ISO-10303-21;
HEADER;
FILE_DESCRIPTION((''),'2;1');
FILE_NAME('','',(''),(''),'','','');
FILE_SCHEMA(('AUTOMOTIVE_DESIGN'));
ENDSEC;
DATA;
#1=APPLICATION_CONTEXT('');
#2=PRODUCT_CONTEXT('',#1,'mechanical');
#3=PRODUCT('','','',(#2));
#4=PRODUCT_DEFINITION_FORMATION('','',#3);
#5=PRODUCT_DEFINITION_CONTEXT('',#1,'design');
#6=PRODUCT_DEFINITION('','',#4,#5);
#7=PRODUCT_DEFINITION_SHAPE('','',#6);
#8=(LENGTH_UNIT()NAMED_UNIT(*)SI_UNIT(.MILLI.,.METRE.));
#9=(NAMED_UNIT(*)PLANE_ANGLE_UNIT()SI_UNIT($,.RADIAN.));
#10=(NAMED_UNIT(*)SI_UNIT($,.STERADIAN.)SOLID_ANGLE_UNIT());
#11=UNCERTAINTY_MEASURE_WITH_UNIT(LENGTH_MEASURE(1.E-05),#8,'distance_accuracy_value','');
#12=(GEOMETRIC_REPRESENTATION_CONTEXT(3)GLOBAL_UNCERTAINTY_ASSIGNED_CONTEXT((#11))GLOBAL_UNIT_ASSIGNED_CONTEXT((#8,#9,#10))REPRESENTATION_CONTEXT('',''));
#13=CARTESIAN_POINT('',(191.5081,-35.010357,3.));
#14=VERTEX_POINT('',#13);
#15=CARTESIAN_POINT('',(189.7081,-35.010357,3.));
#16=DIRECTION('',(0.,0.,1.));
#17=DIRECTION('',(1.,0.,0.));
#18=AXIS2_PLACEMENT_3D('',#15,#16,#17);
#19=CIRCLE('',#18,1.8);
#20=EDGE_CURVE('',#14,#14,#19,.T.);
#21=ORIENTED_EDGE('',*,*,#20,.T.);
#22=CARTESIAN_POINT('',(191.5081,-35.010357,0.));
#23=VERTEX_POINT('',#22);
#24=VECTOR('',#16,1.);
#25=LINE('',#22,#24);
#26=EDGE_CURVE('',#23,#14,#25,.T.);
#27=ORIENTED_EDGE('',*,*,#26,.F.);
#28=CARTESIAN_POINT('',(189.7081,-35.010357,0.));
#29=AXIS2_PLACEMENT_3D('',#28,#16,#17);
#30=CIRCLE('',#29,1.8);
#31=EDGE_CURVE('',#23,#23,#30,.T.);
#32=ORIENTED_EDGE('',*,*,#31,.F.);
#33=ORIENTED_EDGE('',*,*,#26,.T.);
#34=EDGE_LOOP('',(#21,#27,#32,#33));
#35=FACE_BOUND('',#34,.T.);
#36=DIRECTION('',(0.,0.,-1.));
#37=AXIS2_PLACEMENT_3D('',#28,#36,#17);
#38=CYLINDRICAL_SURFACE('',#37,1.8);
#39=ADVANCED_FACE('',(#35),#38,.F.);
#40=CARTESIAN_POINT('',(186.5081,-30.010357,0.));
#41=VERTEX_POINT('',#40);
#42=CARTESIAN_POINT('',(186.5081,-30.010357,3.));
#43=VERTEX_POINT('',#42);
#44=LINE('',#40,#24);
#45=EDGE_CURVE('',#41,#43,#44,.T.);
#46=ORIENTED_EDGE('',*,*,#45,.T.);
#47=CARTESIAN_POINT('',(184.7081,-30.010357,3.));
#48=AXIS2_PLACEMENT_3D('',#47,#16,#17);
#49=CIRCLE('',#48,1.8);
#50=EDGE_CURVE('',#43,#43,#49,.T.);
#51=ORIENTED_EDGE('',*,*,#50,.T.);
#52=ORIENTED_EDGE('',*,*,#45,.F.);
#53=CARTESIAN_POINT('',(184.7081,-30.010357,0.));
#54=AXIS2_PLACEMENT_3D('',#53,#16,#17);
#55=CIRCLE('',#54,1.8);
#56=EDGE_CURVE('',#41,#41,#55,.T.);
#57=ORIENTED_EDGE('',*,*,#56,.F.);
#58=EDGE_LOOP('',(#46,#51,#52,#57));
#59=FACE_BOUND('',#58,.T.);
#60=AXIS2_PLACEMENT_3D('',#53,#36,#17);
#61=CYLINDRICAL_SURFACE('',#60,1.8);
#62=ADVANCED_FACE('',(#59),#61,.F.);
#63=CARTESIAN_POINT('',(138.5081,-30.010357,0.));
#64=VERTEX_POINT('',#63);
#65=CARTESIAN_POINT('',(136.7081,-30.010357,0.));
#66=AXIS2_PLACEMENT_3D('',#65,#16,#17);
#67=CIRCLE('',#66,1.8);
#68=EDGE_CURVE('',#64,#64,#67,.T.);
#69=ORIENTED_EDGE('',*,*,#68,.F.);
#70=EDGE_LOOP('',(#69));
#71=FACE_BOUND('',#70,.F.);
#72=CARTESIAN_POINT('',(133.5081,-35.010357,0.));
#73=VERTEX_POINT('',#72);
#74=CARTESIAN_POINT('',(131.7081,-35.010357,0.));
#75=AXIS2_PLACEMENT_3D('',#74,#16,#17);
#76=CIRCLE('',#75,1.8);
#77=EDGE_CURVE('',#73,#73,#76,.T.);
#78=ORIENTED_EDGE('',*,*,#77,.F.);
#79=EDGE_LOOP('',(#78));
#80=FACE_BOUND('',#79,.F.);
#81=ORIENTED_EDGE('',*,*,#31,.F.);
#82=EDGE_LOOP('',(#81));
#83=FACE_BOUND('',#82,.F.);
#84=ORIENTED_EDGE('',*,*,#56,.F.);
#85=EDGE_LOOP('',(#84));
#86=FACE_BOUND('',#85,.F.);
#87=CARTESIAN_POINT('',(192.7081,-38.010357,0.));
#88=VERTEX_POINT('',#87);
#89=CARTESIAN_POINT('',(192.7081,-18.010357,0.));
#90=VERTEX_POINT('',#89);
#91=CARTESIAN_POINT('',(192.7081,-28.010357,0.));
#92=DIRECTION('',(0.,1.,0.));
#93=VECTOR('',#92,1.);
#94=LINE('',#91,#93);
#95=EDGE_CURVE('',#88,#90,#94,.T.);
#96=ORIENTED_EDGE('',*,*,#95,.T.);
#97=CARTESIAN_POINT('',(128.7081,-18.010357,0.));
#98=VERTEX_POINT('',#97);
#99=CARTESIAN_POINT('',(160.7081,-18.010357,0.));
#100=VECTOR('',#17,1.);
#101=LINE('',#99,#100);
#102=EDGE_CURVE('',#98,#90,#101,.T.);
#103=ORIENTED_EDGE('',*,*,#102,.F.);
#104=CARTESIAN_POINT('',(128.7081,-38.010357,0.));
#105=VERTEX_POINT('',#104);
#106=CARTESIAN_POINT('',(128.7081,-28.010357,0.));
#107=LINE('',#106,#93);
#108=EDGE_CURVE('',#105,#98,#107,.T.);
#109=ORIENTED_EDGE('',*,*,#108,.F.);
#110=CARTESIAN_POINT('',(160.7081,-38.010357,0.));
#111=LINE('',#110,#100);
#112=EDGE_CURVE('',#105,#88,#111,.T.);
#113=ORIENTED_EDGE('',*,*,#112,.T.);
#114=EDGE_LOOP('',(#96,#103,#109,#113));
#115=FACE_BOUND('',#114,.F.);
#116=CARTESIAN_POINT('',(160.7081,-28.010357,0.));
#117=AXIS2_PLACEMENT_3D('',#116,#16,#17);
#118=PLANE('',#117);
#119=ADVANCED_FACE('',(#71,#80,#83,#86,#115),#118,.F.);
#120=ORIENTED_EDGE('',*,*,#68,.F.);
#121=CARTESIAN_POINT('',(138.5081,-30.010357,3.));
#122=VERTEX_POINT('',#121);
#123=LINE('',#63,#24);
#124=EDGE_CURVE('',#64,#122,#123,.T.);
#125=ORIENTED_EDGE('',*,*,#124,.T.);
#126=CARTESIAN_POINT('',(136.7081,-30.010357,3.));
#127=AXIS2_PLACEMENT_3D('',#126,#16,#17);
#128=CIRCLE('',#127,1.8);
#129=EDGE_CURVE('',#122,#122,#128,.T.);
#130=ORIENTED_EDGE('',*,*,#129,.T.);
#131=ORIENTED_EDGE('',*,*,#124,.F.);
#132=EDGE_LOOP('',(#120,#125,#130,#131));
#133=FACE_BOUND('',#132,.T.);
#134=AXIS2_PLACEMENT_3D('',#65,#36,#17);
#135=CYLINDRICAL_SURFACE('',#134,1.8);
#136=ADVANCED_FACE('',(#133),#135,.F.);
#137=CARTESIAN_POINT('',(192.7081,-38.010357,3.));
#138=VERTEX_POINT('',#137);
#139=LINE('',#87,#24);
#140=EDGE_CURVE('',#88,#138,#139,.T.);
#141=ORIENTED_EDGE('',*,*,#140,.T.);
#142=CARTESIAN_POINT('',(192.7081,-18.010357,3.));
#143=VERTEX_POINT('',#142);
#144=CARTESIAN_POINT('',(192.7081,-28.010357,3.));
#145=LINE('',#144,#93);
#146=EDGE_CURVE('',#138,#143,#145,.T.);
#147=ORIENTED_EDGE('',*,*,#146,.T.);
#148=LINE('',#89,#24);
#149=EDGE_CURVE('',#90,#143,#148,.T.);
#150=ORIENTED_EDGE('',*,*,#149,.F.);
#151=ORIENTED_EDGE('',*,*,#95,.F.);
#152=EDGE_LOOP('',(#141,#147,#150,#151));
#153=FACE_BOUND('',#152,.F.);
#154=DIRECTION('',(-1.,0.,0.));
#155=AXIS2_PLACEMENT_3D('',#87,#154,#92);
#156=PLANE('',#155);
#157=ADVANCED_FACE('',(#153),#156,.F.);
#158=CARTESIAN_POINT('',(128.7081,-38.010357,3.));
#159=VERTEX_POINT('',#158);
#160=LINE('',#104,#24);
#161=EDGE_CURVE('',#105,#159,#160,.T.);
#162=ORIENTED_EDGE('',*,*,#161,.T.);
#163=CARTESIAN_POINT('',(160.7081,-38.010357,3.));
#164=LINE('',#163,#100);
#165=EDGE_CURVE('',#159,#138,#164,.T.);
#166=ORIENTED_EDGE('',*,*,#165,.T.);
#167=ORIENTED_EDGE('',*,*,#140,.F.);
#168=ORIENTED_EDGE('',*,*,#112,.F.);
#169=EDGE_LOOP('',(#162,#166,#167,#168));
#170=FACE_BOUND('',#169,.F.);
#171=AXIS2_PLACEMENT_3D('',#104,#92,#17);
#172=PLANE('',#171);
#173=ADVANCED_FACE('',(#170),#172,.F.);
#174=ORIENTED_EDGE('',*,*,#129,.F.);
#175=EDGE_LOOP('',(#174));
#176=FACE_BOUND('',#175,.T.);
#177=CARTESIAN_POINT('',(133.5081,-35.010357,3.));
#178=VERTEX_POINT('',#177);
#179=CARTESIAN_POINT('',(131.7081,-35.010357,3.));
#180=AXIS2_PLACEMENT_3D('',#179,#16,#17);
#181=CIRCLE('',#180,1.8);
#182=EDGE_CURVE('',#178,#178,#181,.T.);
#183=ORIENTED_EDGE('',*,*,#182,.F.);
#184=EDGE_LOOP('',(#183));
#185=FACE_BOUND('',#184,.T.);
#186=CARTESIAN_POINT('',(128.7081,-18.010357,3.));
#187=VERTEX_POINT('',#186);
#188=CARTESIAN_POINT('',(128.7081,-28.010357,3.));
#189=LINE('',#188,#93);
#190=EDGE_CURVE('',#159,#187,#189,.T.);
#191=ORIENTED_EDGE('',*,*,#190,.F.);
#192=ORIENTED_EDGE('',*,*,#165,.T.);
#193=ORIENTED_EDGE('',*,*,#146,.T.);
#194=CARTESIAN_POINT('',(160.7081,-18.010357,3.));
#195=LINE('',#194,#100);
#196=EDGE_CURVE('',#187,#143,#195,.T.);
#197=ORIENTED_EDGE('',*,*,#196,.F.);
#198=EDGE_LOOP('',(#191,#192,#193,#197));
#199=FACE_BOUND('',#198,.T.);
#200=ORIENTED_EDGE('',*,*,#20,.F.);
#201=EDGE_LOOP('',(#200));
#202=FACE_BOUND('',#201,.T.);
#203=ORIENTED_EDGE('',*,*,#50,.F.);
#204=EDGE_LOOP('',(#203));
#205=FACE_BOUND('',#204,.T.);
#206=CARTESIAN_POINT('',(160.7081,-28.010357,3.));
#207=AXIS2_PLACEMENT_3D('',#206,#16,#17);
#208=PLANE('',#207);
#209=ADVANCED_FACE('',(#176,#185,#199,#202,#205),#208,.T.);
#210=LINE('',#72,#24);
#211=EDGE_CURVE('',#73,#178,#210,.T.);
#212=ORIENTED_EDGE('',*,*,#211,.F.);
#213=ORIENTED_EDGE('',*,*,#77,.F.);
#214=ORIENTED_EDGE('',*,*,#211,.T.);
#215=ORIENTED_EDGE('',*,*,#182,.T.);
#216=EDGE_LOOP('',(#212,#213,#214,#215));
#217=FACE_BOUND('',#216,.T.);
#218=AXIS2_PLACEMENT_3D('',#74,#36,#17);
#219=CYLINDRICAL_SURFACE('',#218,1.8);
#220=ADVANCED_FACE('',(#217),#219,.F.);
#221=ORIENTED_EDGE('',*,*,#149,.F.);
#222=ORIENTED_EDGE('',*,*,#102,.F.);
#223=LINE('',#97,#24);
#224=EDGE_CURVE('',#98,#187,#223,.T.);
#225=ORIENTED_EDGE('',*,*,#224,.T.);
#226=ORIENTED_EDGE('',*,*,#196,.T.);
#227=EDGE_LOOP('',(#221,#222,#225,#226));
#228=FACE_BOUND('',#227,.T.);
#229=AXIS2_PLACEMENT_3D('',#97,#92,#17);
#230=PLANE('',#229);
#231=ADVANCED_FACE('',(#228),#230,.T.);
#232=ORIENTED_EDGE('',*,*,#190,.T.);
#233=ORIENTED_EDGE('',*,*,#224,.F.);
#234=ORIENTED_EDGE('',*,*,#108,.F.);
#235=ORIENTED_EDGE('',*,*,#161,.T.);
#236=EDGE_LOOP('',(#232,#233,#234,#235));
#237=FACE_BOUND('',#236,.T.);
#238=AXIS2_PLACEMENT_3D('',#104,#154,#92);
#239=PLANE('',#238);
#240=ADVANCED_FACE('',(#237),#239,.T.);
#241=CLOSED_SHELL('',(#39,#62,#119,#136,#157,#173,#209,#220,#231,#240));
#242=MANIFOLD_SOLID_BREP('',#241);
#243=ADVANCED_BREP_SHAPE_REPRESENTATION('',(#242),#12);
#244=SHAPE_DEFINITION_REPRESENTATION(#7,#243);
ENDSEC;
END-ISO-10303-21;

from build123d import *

# Parameters (mm, degrees)
SKETCH_W  = 64
SKETCH_H  = 20
SKETCH_R  = 1.8
PAD_DEPTH = 3


with BuildPart() as part:
    # Sketch → Pad (new body)
    with BuildSketch(Plane.XY):
        with Locations((160.7081, -28.010357)):
            Rectangle(SKETCH_W, SKETCH_H)
        with Locations((131.7081, -35.010357)):
            Circle(SKETCH_R, mode=Mode.SUBTRACT)
        with Locations((189.7081, -35.010357)):
            Circle(SKETCH_R, mode=Mode.SUBTRACT)
        with Locations((184.7081, -30.010357)):
            Circle(SKETCH_R, mode=Mode.SUBTRACT)
        with Locations((136.7081, -30.010357)):
            Circle(SKETCH_R, mode=Mode.SUBTRACT)
    extrude(amount=PAD_DEPTH)


solid = part.part
